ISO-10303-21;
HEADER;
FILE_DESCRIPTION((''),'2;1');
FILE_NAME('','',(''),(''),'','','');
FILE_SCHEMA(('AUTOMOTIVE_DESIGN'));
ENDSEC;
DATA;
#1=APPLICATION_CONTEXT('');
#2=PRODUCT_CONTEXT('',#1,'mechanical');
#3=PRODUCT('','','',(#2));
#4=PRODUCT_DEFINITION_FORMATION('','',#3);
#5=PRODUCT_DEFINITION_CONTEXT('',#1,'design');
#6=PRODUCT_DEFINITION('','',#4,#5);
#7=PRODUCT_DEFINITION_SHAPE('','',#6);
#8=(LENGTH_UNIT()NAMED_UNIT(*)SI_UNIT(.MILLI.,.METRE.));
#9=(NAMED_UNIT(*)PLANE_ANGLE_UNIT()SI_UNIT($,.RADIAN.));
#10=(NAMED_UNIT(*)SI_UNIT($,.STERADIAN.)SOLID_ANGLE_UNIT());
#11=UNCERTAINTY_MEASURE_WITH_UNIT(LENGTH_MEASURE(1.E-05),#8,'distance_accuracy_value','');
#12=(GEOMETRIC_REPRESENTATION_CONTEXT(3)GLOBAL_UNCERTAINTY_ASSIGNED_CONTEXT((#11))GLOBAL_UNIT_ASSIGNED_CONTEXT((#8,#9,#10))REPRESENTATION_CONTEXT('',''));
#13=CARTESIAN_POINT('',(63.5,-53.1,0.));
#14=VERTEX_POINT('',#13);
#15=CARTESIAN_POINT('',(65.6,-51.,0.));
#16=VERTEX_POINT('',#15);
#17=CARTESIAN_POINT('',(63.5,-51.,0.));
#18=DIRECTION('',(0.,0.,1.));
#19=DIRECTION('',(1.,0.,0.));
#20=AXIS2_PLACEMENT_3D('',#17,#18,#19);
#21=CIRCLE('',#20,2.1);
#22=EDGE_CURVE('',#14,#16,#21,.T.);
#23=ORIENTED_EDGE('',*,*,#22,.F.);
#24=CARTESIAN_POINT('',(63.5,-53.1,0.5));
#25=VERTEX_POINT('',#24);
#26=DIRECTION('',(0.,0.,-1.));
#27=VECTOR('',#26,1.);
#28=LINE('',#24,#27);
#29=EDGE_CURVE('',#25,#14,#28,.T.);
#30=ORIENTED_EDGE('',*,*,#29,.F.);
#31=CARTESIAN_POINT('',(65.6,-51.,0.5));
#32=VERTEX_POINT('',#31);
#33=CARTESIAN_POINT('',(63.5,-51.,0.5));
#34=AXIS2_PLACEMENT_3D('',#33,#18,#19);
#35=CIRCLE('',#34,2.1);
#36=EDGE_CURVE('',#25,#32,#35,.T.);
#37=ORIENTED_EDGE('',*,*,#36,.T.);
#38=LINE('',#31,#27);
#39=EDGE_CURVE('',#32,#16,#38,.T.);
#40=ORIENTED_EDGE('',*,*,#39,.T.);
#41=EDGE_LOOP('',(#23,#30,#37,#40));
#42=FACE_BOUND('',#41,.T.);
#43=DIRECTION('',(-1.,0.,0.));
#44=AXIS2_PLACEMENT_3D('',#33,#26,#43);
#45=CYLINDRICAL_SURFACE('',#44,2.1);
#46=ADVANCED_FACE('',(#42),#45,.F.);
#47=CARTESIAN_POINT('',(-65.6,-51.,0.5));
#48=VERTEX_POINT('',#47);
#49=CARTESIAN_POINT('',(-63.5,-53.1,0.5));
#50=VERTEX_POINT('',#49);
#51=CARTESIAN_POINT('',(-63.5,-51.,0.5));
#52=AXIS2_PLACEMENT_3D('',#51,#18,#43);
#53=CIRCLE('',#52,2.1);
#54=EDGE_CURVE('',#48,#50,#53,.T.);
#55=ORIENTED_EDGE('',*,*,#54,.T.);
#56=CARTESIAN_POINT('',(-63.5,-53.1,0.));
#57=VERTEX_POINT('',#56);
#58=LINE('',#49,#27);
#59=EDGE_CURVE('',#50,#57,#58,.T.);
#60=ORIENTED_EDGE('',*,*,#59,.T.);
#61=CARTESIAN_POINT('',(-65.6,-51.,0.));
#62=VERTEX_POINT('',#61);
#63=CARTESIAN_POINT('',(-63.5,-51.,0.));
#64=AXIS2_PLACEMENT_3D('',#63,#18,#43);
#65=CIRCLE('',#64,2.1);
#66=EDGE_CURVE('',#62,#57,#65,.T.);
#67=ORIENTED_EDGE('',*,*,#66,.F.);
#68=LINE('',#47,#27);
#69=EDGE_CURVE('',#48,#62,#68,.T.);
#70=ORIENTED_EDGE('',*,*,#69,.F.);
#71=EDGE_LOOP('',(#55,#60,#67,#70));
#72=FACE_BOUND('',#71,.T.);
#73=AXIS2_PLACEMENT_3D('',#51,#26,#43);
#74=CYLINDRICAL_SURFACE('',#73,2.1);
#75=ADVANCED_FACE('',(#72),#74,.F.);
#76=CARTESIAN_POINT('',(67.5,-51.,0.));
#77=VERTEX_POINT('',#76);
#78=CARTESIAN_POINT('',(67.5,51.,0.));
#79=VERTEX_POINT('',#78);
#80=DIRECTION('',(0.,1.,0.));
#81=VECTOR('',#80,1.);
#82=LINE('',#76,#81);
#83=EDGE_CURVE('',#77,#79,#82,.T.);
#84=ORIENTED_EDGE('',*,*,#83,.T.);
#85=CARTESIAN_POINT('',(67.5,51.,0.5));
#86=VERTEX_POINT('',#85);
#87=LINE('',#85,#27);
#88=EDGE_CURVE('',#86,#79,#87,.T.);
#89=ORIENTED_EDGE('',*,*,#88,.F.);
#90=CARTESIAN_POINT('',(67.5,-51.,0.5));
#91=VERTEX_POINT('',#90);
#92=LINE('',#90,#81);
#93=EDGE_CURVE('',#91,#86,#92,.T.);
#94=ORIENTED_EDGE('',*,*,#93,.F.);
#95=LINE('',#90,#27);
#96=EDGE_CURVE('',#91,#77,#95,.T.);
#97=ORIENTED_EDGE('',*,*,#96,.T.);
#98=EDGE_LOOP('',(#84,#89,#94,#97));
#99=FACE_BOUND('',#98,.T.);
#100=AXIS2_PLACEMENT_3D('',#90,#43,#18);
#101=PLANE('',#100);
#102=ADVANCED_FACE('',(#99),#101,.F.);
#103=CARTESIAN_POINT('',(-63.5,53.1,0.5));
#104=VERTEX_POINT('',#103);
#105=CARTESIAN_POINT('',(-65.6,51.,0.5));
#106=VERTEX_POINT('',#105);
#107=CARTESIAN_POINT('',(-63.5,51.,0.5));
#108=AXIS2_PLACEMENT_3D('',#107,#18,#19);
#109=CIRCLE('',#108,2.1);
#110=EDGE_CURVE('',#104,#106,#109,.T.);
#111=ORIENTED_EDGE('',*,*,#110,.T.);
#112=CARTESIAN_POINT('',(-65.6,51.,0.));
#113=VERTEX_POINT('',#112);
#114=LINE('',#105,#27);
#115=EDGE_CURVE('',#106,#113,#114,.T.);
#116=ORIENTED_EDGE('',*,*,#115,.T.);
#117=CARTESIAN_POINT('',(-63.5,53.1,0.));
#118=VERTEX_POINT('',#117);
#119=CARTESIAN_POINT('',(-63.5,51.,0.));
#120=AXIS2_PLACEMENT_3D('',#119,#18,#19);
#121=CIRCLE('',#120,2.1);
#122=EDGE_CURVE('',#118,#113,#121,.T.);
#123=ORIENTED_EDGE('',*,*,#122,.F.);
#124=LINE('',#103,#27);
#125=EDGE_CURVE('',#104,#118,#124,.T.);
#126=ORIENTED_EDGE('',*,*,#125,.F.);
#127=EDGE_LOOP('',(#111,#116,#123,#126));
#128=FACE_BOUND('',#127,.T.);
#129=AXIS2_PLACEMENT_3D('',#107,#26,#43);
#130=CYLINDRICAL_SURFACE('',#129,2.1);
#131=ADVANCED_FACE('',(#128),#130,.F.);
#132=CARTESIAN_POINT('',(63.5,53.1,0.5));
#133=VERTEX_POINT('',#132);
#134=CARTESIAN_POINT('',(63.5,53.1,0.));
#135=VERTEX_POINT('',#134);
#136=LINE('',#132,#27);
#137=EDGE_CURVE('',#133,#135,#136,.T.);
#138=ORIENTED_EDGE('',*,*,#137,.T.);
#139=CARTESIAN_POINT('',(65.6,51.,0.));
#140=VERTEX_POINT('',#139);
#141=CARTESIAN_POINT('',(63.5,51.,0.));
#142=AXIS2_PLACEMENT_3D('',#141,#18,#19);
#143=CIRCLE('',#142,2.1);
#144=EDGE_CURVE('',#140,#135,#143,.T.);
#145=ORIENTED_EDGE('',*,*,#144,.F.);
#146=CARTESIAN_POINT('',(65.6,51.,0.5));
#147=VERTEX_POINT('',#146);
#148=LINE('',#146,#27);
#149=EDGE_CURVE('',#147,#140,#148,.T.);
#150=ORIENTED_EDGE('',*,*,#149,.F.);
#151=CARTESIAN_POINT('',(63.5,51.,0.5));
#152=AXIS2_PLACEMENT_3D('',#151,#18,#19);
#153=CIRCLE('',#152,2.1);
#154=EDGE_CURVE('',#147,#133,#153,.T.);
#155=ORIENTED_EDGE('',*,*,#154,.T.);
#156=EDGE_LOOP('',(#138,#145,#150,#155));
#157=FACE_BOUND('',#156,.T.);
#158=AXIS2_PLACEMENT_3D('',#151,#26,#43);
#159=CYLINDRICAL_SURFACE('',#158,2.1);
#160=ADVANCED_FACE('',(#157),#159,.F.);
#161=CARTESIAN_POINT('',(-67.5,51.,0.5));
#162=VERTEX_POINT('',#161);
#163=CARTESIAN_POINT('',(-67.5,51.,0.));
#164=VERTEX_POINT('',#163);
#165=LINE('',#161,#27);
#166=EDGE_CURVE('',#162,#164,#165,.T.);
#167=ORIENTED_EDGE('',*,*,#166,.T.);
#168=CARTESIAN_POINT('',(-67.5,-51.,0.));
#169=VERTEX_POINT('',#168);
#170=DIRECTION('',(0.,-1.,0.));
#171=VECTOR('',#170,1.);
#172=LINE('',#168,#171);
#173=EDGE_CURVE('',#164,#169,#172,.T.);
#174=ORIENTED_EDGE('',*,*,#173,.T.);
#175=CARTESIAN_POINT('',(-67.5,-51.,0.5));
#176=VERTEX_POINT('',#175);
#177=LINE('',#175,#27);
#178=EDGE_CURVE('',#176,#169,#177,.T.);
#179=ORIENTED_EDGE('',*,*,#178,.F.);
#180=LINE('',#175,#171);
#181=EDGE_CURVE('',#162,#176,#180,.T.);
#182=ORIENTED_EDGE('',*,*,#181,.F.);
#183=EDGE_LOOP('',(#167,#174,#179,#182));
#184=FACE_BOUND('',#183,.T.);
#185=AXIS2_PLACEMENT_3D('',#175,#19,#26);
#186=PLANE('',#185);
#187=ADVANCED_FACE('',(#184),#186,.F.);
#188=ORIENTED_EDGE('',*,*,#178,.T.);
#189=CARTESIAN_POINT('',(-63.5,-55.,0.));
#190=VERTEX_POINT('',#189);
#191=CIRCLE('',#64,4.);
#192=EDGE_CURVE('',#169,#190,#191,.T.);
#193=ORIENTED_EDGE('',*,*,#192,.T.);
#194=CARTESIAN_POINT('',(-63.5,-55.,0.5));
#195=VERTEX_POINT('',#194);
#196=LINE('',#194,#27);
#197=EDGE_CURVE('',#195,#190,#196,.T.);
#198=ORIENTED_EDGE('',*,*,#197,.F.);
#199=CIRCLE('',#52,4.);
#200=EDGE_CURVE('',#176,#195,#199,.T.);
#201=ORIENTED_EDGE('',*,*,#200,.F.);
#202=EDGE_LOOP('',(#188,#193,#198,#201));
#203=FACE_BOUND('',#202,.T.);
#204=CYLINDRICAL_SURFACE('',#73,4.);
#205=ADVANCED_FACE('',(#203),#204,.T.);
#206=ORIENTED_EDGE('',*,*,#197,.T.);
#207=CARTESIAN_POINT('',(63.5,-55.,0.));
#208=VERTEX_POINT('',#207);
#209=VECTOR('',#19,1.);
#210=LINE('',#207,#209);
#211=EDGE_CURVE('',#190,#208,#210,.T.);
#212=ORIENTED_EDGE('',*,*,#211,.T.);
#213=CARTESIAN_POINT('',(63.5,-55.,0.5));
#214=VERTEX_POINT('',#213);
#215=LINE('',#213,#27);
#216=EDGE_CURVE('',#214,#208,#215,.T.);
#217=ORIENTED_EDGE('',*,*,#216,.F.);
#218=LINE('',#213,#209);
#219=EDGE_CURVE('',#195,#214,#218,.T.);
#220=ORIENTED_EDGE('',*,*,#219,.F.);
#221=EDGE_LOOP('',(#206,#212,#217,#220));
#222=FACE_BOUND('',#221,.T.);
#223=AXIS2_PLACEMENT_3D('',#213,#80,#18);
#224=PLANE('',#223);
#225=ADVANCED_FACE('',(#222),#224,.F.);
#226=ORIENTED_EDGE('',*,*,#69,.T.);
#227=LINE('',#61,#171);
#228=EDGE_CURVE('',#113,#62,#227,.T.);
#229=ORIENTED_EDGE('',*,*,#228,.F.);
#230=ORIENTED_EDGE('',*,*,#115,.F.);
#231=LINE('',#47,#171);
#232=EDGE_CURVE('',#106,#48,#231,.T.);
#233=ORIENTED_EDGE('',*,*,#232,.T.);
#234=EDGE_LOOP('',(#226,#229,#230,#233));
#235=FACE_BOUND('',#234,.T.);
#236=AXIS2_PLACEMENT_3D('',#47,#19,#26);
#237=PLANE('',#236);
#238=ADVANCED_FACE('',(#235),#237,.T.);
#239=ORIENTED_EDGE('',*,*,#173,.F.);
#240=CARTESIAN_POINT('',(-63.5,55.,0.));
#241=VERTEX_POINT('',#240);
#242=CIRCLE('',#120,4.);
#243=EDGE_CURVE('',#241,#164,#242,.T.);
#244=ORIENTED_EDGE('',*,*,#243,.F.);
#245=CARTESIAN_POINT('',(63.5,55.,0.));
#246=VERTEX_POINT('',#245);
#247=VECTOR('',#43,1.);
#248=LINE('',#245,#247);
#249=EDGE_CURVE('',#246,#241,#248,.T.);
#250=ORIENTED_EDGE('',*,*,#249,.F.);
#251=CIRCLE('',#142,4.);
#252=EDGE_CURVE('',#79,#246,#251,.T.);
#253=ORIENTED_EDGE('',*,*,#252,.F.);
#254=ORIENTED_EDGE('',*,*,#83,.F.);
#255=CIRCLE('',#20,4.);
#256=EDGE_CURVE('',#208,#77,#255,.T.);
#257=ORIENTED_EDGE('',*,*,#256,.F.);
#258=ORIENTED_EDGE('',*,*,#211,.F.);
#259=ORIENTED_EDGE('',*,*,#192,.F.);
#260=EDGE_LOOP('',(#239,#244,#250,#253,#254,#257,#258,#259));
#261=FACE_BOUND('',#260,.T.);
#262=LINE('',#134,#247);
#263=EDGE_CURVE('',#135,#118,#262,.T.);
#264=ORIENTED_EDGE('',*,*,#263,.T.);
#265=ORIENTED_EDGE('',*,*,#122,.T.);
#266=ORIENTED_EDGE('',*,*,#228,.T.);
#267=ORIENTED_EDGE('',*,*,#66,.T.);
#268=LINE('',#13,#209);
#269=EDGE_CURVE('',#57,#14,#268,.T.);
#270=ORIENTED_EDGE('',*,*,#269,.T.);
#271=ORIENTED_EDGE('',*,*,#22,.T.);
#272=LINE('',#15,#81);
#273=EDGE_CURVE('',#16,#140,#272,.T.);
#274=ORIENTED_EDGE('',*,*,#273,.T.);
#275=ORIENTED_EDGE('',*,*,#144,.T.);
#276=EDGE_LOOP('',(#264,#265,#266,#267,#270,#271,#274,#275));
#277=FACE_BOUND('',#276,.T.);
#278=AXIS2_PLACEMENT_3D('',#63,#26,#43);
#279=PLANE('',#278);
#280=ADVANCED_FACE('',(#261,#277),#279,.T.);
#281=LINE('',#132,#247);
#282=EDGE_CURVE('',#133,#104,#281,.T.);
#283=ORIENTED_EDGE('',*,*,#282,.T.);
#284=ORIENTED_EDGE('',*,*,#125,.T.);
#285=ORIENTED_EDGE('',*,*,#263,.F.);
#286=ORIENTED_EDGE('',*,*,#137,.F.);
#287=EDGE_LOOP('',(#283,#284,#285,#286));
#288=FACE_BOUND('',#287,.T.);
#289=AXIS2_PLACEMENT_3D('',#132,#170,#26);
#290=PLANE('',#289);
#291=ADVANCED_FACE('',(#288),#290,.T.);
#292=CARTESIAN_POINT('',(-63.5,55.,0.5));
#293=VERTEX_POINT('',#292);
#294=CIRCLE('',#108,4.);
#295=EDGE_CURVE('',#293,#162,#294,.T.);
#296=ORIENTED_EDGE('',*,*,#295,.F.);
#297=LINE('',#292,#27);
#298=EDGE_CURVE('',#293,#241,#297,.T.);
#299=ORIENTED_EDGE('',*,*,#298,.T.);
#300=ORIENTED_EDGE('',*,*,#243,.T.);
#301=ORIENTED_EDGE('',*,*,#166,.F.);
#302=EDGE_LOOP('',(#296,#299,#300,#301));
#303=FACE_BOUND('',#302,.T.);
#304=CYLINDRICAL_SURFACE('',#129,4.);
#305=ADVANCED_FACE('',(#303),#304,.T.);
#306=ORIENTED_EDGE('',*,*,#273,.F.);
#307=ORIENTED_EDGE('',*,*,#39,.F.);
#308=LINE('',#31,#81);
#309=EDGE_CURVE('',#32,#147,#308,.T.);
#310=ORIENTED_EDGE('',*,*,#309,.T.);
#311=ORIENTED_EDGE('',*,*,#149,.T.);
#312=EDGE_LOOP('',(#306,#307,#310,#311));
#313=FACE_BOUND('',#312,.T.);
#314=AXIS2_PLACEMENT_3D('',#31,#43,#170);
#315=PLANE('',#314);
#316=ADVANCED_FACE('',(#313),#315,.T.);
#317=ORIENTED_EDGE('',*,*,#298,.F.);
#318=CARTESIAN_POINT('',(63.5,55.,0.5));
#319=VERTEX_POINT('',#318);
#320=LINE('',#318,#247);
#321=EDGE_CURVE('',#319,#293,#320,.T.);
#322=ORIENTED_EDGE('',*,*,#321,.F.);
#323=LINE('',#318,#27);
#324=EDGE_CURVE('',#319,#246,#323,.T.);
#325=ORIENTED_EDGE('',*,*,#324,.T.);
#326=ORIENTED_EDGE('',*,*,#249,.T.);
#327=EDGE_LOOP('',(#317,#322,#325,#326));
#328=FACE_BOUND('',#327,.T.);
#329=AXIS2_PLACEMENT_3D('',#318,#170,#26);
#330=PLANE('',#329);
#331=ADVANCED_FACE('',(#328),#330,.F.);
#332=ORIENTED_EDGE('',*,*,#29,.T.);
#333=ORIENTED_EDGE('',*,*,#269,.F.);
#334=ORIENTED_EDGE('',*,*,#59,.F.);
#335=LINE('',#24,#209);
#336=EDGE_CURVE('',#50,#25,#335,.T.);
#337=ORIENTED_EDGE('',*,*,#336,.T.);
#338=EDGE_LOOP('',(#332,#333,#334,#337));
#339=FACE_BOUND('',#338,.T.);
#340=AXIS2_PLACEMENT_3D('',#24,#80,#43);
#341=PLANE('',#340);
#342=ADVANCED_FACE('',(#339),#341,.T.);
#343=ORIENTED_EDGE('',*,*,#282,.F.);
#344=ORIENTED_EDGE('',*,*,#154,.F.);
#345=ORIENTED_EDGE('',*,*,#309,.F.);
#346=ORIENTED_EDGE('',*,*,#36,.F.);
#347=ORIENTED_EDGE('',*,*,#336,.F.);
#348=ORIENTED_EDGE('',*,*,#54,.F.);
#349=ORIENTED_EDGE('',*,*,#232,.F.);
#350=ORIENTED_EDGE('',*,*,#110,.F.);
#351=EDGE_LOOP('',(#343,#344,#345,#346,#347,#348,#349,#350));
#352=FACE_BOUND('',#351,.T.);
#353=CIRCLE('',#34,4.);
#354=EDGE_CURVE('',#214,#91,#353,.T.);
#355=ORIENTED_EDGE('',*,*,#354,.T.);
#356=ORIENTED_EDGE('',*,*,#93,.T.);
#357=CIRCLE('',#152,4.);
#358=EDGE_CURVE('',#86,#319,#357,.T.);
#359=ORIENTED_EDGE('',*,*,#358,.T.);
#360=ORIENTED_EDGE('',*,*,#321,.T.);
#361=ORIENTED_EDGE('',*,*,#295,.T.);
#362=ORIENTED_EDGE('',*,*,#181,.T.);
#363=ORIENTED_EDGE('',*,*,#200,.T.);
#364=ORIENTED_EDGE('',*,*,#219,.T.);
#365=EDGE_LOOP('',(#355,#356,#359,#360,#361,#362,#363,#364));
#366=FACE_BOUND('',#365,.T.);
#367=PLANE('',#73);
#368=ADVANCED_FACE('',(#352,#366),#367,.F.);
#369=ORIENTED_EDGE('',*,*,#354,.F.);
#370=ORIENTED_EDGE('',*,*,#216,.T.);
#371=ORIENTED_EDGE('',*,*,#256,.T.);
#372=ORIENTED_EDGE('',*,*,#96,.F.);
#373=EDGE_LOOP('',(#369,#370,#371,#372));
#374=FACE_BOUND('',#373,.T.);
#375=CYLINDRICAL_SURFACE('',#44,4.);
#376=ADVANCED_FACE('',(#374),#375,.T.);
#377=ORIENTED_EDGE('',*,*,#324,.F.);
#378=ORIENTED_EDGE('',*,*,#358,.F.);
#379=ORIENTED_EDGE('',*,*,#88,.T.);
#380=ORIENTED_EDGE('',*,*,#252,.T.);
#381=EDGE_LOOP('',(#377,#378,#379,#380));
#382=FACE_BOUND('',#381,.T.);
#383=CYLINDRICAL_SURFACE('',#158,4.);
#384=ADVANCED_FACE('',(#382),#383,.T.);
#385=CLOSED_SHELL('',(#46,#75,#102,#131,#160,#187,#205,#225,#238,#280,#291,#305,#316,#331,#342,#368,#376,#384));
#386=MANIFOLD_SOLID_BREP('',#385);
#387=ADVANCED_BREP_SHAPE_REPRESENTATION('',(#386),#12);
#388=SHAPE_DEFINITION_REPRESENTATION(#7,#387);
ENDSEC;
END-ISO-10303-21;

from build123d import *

# Parameters (mm, degrees)
BOSS_EXTRUDE1_DEPTH = 0.5


with BuildPart() as part:
    # Sketch1 → Boss-Extrude1 (new body)
    with BuildSketch(Plane(origin=(0, 0, 0), x_dir=(-1, 0, 0), z_dir=(0, 0, 1))):
        with BuildLine():
            Line((-63.5, 55), (63.5, 55))
            ThreePointArc((63.5, 55), (66.328427125, 53.828427125), (67.5, 51))
            Line((67.5, 51), (67.5, -51))
            ThreePointArc((67.5, -51), (66.328427125, -53.828427125), (63.5, -55))
            Line((63.5, -55), (-63.5, -55))
            ThreePointArc((-63.5, -55), (-66.328427125, -53.828427125), (-67.5, -51))
            Line((-67.5, -51), (-67.5, 51))
            ThreePointArc((-67.5, 51), (-66.328427125, 53.828427125), (-63.5, 55))
        make_face()
        with BuildLine():
            Line((-65.6, 51), (-65.6, -51))
            ThreePointArc((-65.6, -51), (-64.98492424, -52.48492424), (-63.5, -53.1))
            Line((-63.5, -53.1), (63.5, -53.1))
            ThreePointArc((63.5, -53.1), (64.98492424, -52.48492424), (65.6, -51))
            Line((65.6, -51), (65.6, 51))
            ThreePointArc((65.6, 51), (64.98492424, 52.48492424), (63.5, 53.1))
            Line((63.5, 53.1), (-63.5, 53.1))
            ThreePointArc((-63.5, 53.1), (-64.98492424, 52.48492424), (-65.6, 51))
        make_face(mode=Mode.SUBTRACT)
    extrude(amount=BOSS_EXTRUDE1_DEPTH)


solid = part.part
